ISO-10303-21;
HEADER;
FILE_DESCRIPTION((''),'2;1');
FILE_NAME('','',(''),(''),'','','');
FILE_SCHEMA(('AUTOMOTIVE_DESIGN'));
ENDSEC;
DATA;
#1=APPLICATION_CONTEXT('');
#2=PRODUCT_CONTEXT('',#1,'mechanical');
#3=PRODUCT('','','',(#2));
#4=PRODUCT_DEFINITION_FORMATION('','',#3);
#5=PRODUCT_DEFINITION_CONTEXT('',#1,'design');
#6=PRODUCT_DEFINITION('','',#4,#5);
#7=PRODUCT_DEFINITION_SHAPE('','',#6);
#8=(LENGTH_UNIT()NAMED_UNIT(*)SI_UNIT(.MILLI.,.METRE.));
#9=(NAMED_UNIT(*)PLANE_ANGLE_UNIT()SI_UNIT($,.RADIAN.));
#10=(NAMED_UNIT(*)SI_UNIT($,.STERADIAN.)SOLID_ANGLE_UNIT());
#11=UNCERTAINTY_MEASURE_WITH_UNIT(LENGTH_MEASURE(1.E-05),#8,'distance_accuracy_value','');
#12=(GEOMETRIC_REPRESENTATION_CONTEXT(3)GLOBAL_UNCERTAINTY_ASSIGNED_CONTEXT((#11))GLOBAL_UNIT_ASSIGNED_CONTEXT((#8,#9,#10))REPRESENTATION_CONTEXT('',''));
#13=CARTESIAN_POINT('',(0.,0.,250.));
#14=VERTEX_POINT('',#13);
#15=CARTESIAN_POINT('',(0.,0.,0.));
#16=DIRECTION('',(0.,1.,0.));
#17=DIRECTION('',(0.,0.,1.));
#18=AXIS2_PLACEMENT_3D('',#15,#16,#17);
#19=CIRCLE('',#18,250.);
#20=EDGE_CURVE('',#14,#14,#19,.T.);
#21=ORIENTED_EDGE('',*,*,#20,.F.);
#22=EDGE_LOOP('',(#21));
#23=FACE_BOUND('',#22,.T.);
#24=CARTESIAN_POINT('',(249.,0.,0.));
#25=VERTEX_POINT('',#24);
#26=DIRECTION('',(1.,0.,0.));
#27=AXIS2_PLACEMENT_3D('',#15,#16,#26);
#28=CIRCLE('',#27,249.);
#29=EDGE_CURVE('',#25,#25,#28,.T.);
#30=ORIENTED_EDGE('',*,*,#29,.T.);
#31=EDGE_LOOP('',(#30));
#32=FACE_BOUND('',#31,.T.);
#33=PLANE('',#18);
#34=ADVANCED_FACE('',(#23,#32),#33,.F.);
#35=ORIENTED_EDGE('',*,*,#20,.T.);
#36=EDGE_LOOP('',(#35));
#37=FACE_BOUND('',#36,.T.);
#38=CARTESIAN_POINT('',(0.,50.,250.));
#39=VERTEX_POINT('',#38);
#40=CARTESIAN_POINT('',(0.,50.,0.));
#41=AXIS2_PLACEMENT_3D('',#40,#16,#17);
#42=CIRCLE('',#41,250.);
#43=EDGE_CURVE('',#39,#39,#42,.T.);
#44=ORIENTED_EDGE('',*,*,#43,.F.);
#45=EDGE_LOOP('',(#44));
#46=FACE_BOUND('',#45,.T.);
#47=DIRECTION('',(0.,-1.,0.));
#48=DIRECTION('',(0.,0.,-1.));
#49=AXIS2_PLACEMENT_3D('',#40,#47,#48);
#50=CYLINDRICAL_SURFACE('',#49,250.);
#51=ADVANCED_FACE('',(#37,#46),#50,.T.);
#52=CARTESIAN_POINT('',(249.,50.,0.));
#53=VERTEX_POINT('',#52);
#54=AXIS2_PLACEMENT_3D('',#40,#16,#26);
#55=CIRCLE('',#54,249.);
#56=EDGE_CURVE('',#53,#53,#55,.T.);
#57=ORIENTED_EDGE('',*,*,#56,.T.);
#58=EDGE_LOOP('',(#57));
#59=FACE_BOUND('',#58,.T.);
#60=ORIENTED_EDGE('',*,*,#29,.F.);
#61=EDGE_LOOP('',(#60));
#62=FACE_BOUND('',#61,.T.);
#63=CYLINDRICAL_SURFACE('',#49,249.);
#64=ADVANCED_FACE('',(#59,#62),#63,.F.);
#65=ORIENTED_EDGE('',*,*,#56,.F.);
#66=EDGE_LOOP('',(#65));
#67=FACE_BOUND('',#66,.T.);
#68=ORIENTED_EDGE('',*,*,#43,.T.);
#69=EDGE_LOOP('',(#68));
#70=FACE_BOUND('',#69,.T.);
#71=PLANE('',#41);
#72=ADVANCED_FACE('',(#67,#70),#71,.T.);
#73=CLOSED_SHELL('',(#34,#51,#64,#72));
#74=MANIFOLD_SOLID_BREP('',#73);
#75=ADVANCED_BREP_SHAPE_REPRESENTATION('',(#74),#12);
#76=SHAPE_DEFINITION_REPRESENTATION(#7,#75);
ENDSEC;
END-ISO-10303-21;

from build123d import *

# Parameters (mm, degrees)
SKETCH_1_R      = 250
SKETCH_1_R_2    = 249
EXTRUDE_1_DEPTH = 50


with BuildPart() as part:
    # Эскиз1 → Вытянуть-Тонкостенный1 (new body)
    with BuildSketch(Plane(origin=(0, 0, 0), x_dir=(1, 0, 0), z_dir=(0, 1, 0))):
        Circle(SKETCH_1_R)
        Circle(SKETCH_1_R_2, mode=Mode.SUBTRACT)
    extrude(amount=EXTRUDE_1_DEPTH)


solid = part.part
